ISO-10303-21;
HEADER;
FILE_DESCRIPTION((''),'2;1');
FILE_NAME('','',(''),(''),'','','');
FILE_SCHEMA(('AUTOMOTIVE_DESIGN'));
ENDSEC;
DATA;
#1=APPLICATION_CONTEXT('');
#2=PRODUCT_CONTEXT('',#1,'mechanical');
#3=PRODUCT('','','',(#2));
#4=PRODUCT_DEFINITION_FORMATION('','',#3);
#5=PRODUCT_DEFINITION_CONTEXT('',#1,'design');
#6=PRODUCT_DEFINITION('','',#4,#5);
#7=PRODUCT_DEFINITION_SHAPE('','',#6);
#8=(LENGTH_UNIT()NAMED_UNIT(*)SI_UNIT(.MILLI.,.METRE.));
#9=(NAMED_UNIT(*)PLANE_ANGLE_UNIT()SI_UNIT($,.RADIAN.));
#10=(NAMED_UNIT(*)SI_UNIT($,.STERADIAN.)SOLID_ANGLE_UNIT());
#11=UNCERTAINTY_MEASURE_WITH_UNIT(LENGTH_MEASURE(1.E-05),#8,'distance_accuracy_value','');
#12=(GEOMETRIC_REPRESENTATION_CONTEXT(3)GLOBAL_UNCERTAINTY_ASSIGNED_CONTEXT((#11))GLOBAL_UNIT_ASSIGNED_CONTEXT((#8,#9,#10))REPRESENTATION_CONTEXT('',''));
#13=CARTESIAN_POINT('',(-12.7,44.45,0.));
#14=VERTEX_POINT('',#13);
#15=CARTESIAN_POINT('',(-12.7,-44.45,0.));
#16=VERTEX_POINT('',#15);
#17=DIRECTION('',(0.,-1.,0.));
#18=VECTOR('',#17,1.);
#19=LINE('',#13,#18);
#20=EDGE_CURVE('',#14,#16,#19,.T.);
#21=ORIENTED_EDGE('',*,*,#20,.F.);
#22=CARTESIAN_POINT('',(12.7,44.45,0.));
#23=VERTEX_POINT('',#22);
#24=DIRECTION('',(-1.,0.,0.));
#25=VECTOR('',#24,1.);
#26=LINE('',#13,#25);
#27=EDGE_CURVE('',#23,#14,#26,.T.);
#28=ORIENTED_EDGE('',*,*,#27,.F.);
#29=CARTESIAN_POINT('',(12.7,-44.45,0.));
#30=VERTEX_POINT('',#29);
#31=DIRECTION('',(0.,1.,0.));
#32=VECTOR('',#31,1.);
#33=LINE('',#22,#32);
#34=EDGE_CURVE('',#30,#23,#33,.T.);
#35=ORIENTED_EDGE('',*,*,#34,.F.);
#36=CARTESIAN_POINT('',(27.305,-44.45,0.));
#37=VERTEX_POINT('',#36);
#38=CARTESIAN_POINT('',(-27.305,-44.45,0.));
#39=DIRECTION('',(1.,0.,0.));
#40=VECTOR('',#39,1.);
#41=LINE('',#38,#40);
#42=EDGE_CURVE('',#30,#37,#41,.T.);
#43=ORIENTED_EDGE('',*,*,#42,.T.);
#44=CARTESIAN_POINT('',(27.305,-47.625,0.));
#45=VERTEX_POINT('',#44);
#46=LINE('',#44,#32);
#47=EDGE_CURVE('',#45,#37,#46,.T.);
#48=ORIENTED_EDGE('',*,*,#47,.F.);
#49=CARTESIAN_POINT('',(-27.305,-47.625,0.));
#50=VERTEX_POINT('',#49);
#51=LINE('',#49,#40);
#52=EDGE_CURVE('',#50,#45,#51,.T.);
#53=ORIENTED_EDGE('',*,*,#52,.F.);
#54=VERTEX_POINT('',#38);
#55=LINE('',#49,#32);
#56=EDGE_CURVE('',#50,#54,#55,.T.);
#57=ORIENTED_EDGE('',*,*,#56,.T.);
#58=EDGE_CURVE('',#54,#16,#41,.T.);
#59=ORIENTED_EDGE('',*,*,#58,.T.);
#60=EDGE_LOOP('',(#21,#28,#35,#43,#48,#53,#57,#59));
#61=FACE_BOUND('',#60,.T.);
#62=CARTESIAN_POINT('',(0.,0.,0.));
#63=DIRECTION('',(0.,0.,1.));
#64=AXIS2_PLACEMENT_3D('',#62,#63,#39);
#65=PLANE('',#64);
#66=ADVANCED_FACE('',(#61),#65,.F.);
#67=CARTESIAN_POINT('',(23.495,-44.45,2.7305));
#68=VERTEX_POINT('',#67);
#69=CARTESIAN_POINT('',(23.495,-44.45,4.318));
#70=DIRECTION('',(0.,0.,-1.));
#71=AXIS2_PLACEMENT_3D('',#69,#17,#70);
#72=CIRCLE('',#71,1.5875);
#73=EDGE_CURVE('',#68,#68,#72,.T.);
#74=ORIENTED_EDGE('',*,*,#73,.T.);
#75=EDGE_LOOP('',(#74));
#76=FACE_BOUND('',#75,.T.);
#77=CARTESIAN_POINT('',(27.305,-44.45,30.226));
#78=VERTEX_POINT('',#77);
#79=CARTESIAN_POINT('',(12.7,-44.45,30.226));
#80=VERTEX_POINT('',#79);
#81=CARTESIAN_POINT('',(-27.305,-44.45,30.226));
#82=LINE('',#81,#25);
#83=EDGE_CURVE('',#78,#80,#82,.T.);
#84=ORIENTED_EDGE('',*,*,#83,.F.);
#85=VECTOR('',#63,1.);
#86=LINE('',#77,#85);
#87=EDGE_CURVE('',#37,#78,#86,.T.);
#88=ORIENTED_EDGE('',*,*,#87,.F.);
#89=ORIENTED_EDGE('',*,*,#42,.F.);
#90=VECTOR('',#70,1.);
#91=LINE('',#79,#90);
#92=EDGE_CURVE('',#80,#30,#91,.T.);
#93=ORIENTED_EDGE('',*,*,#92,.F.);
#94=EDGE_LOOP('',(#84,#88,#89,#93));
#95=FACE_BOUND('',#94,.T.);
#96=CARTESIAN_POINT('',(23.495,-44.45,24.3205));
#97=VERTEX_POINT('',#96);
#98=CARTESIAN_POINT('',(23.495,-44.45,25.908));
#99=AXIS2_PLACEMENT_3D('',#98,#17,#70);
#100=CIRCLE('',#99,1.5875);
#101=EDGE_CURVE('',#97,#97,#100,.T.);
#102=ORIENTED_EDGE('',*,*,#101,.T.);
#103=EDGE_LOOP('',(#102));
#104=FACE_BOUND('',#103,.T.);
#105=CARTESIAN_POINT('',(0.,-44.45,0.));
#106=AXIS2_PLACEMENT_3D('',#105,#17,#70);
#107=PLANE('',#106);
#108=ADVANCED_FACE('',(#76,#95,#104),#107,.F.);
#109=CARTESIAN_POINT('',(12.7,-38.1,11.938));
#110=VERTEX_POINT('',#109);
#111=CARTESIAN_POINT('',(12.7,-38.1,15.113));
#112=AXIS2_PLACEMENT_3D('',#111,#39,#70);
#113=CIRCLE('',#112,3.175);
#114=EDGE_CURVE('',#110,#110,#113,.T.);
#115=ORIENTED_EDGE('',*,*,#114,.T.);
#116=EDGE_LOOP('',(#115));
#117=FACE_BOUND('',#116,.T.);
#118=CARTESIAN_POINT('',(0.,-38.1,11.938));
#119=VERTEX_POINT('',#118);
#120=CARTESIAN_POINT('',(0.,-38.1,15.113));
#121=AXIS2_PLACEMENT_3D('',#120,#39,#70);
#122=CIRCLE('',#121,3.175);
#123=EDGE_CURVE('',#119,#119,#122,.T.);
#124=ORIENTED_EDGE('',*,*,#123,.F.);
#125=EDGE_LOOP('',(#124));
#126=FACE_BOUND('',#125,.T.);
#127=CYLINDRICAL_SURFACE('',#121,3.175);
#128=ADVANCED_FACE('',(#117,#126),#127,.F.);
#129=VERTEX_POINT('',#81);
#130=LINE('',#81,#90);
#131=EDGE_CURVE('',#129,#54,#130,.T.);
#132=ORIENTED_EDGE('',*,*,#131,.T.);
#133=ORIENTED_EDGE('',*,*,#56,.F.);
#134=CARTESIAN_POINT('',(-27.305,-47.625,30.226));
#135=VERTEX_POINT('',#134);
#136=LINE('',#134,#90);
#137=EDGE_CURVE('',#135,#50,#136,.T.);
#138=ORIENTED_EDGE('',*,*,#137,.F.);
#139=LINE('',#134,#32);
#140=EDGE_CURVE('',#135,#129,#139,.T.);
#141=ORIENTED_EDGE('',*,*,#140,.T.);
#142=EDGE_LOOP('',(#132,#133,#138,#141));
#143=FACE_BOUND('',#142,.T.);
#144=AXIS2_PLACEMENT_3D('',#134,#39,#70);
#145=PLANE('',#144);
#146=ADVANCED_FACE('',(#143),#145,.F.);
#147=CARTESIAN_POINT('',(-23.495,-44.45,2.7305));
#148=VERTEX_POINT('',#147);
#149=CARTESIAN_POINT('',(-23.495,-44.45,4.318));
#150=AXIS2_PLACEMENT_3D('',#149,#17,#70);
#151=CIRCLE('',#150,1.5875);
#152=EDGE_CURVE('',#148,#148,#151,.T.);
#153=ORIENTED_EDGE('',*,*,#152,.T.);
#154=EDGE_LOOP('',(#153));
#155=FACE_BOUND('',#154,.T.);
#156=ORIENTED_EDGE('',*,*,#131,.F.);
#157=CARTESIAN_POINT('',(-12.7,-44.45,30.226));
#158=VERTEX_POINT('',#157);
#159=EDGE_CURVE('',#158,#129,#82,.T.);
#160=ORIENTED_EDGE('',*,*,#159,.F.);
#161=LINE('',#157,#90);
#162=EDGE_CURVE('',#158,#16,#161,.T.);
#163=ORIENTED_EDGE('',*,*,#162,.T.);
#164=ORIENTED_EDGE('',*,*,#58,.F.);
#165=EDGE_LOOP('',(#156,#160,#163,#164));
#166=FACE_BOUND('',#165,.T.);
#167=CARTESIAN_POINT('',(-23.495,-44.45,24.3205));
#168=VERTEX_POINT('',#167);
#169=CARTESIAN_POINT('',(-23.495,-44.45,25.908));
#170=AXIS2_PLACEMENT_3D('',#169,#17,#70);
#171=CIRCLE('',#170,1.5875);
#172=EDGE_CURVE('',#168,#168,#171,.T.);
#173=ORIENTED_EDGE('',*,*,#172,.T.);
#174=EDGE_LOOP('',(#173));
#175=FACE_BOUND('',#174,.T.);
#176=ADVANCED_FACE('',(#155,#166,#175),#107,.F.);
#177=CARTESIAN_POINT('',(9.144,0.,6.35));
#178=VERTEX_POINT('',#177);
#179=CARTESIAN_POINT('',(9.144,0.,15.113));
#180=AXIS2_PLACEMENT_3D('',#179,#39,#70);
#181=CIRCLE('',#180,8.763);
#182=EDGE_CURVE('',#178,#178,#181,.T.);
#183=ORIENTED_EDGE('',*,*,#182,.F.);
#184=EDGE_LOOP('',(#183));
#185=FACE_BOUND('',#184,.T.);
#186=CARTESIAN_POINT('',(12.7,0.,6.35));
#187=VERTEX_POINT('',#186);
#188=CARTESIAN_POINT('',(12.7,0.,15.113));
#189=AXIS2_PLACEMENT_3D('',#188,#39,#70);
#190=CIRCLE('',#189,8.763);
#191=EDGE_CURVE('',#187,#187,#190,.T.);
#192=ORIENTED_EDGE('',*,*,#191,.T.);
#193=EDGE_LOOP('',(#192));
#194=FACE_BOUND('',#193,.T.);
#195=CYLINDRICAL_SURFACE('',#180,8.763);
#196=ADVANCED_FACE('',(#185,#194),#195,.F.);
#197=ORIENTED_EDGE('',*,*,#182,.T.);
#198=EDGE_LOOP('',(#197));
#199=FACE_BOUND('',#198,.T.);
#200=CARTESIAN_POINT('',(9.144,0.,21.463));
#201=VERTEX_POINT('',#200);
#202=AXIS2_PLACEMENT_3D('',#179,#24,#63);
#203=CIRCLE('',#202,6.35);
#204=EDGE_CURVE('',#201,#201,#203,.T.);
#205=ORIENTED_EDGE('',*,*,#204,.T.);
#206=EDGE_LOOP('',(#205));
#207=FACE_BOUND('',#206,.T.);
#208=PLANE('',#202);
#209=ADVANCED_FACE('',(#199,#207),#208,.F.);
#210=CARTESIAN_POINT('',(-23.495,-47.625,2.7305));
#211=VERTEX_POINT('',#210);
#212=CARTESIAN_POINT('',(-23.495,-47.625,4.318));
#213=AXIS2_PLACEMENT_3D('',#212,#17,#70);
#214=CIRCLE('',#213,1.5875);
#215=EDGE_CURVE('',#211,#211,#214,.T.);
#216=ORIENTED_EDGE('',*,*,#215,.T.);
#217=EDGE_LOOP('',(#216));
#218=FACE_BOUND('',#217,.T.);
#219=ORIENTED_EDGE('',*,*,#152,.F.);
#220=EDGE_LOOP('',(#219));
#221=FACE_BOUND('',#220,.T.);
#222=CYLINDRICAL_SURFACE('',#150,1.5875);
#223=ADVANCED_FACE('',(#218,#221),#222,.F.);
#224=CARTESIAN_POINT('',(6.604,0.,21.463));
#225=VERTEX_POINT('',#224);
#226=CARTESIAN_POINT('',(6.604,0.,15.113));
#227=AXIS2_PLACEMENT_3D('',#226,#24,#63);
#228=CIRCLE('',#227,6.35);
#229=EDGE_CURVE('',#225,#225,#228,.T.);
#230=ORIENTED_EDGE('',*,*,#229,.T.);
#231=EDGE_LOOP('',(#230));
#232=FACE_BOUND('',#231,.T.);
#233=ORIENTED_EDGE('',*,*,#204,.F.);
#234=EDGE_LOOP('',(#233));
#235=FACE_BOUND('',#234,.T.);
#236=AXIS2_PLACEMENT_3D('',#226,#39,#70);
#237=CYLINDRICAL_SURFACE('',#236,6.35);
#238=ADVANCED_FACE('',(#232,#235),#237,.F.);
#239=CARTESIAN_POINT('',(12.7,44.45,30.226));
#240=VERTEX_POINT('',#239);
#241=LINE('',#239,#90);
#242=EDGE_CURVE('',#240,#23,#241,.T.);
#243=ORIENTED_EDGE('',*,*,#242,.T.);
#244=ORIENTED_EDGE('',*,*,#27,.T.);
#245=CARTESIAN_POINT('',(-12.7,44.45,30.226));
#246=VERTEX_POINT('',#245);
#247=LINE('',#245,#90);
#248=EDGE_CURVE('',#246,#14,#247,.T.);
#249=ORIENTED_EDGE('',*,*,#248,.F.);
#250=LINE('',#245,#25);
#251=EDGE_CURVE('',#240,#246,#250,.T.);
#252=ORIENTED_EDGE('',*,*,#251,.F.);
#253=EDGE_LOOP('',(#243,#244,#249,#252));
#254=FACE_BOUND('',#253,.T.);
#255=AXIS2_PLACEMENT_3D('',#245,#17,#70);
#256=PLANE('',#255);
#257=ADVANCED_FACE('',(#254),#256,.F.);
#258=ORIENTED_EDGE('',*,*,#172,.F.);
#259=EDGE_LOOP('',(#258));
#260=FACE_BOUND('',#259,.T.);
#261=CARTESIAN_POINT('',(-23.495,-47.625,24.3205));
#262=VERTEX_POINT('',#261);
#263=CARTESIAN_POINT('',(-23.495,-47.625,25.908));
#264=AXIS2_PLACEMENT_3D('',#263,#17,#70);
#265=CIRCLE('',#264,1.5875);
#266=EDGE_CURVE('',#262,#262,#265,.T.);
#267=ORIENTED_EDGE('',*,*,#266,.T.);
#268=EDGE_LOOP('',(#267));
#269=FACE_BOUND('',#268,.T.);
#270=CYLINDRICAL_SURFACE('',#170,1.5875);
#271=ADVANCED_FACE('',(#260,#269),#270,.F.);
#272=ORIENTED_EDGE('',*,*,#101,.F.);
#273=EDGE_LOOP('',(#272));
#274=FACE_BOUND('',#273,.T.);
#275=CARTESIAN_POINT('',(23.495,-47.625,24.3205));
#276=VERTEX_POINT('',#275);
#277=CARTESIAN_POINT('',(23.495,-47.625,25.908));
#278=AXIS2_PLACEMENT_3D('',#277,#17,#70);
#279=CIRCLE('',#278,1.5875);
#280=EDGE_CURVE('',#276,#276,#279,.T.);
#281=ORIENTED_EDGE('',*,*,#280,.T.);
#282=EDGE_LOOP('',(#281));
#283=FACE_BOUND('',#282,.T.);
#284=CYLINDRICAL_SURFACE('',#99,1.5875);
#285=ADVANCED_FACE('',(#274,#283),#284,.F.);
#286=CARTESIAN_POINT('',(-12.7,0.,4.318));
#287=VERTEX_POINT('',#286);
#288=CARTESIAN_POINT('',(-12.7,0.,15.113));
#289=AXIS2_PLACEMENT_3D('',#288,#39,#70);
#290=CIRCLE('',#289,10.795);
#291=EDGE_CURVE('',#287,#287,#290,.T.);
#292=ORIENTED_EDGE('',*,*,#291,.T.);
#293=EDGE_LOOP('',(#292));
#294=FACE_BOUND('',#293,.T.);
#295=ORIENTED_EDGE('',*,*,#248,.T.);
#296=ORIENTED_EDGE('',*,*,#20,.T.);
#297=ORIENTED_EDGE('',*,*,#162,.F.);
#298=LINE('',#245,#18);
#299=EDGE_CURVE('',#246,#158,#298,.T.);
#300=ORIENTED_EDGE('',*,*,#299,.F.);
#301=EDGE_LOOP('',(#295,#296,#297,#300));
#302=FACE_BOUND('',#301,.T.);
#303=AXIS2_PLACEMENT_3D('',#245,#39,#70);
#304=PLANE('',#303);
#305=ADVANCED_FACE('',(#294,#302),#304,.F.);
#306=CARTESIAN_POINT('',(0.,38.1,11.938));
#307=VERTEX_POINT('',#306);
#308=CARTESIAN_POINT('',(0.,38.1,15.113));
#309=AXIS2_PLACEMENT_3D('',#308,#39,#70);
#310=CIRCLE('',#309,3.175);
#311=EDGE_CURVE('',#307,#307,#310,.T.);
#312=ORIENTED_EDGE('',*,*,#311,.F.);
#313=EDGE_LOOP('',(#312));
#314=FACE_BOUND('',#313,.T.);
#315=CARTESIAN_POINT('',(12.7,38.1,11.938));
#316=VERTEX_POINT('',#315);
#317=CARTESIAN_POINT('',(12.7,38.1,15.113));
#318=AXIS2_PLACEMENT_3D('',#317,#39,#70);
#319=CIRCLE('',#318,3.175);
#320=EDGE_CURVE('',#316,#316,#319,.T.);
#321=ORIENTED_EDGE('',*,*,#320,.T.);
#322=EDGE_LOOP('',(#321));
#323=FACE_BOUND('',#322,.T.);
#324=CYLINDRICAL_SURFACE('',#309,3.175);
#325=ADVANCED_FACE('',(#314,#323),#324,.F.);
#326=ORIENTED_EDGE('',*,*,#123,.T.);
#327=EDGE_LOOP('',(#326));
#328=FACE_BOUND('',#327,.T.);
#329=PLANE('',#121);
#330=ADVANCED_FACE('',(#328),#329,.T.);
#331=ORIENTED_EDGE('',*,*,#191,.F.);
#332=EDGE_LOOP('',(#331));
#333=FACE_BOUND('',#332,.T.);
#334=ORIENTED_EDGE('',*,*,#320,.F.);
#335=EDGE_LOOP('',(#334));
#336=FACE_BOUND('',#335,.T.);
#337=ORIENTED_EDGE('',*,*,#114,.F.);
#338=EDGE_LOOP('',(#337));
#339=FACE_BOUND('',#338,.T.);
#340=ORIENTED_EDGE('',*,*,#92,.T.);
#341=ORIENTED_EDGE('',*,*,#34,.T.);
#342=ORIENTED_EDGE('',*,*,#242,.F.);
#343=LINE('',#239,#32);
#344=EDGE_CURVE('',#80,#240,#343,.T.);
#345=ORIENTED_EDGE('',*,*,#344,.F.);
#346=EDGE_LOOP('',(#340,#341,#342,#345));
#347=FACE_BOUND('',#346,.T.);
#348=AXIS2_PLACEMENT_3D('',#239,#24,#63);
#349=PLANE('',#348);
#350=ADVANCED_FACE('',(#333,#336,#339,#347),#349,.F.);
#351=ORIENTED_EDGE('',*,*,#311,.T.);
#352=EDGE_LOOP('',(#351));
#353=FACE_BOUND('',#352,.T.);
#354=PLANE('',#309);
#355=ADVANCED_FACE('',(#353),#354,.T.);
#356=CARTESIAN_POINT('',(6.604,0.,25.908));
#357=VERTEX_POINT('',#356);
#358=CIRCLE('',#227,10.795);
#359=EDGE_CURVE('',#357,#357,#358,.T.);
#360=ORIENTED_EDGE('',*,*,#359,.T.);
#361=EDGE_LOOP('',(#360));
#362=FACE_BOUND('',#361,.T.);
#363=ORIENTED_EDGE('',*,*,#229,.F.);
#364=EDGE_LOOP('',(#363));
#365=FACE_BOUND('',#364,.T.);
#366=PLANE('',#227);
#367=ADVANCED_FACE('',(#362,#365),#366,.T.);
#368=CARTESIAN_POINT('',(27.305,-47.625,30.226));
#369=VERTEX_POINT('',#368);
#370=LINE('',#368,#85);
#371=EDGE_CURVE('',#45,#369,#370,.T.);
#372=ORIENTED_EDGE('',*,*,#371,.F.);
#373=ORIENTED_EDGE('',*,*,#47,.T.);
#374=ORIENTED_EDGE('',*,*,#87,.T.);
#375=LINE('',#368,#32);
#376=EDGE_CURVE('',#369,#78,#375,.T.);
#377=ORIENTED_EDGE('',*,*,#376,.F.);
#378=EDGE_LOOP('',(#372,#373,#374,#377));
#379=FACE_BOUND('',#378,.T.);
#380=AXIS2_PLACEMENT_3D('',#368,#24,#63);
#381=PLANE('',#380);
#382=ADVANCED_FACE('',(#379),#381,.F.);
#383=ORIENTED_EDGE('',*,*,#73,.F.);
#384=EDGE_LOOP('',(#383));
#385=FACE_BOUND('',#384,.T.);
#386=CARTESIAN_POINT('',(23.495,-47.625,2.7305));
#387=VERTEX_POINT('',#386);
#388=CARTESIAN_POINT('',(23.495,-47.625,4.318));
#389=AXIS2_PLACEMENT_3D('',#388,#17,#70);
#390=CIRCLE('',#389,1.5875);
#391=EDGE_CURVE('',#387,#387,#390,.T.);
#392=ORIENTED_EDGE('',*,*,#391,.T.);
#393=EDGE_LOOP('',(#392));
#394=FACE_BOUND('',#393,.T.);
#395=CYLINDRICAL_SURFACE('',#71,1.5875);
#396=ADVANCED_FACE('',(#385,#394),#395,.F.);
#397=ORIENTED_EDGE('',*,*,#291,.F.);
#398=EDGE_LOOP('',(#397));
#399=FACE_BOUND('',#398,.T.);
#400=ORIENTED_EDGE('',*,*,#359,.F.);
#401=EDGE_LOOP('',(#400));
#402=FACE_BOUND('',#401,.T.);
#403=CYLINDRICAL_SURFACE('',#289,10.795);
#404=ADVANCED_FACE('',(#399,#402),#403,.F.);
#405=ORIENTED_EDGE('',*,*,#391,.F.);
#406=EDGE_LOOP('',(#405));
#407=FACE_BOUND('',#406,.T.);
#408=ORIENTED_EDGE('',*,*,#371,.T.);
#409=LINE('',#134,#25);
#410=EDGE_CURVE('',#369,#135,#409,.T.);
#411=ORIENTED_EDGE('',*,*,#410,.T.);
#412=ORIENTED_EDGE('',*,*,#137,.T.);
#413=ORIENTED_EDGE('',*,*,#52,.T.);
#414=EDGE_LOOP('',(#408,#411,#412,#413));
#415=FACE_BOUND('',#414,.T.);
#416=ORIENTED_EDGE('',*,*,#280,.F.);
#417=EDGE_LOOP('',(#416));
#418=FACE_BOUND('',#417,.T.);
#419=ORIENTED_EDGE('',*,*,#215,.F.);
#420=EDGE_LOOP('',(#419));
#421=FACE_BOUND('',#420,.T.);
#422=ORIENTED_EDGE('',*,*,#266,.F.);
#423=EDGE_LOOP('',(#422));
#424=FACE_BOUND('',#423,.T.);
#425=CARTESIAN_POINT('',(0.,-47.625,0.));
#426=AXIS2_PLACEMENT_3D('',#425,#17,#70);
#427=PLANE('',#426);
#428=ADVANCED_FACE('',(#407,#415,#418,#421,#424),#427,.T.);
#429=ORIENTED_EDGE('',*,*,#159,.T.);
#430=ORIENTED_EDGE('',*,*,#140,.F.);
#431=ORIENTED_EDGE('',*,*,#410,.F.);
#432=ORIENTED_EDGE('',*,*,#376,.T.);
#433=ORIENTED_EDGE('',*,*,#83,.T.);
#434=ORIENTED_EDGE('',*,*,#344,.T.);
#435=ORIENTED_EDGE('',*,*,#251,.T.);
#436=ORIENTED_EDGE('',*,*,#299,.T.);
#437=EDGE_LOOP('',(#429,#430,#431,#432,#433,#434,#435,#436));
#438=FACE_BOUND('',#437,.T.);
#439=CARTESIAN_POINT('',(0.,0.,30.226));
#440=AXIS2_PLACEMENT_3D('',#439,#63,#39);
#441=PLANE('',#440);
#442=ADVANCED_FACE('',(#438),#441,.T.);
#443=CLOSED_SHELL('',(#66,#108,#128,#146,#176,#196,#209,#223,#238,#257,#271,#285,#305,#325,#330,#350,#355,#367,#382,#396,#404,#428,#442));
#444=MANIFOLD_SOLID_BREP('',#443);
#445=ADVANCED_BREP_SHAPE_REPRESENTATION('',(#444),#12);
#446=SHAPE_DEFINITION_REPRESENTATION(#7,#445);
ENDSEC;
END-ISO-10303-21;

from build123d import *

# Parameters (mm, degrees)
SKETCH1_W           = 25.4
SKETCH1_H           = 88.9
BOSS_EXTRUDE1_DEPTH = 30.226
SKETCH2_R           = 3.175
CUT_EXTRUDE1_DEPTH  = 12.7
SKETCH3_R           = 8.763
CUT_EXTRUDE2_DEPTH  = 3.556
CUT_EXTRUDE3_START  = -21.844
SKETCH4_R           = 10.795
CUT_EXTRUDE3_DEPTH  = 21.844
SKETCH5_W           = 54.61
SKETCH5_H           = 30.226
BOSS_EXTRUDE2_DEPTH = 3.175
SKETCH6_R           = 1.5875
CUT_EXTRUDE4_DEPTH  = 3.175
BOSS_EXTRUDE3_START = 2.54
SKETCH8_R           = 10.795
SKETCH8_R_2         = 6.35
BOSS_EXTRUDE3_DEPTH = 2.54


with BuildPart() as part:
    # Sketch1 → Boss-Extrude1 (new body)
    with BuildSketch(Plane.XY):
        Rectangle(SKETCH1_W, SKETCH1_H)
    extrude(amount=BOSS_EXTRUDE1_DEPTH)

    # Sketch2 → Cut-Extrude1 (cut)
    with BuildSketch(Plane(origin=(12.7, 0, 0), x_dir=(0, 0, -1), z_dir=(1, 0, 0))):
        with Locations((-15.113, 38.1)):
            Circle(SKETCH2_R)
        with Locations((-15.113, -38.1)):
            Circle(SKETCH2_R)
    extrude(amount=-CUT_EXTRUDE1_DEPTH, mode=Mode.SUBTRACT)

    # Sketch3 → Cut-Extrude2 (cut)
    with BuildSketch(Plane(origin=(12.7, 0, 0), x_dir=(0, 0, -1), z_dir=(1, 0, 0))):
        with Locations((-15.113, 0)):
            Circle(SKETCH3_R)
    extrude(amount=-CUT_EXTRUDE2_DEPTH, mode=Mode.SUBTRACT)

    # Sketch4 → Cut-Extrude3 (cut)
    with BuildSketch(Plane(origin=(9.144, 0, 0), x_dir=(0, 0, -1), z_dir=(1, 0, 0)).offset(CUT_EXTRUDE3_START)):
        with Locations((-15.113, 0)):
            Circle(SKETCH4_R)
    extrude(amount=CUT_EXTRUDE3_DEPTH, mode=Mode.SUBTRACT)

    # Sketch5 → Boss-Extrude2 (add)
    with BuildSketch(Plane.XZ.offset(44.45)):
        with Locations((0, 15.113)):
            Rectangle(SKETCH5_W, SKETCH5_H)
    extrude(amount=BOSS_EXTRUDE2_DEPTH)

    # Sketch6 → Cut-Extrude4 (cut)
    with BuildSketch(Plane.XZ.offset(47.625)):
        with Locations(Location((-23.495, 25.908, 0), (0, 0, 270))):
            Circle(SKETCH6_R)
        with Locations(Location((-23.495, 4.318, 0), (0, 0, 270))):
            Circle(SKETCH6_R)
        with Locations(Location((23.495, 4.318, 0), (0, 0, 270))):
            Circle(SKETCH6_R)
        with Locations(Location((23.495, 25.908, 0), (0, 0, 270))):
            Circle(SKETCH6_R)
    extrude(amount=-CUT_EXTRUDE4_DEPTH, mode=Mode.SUBTRACT)

    # Sketch8 → Boss-Extrude3 (add)
    with BuildSketch(Plane.ZY.offset(-9.144).offset(BOSS_EXTRUDE3_START)):
        with Locations(Location((15.113, 0, 0), (0, 0, 180))):
            Circle(SKETCH8_R)
        with Locations((15.113, 0)):
            Circle(SKETCH8_R_2, mode=Mode.SUBTRACT)
    extrude(amount=-BOSS_EXTRUDE3_DEPTH)


solid = part.part
